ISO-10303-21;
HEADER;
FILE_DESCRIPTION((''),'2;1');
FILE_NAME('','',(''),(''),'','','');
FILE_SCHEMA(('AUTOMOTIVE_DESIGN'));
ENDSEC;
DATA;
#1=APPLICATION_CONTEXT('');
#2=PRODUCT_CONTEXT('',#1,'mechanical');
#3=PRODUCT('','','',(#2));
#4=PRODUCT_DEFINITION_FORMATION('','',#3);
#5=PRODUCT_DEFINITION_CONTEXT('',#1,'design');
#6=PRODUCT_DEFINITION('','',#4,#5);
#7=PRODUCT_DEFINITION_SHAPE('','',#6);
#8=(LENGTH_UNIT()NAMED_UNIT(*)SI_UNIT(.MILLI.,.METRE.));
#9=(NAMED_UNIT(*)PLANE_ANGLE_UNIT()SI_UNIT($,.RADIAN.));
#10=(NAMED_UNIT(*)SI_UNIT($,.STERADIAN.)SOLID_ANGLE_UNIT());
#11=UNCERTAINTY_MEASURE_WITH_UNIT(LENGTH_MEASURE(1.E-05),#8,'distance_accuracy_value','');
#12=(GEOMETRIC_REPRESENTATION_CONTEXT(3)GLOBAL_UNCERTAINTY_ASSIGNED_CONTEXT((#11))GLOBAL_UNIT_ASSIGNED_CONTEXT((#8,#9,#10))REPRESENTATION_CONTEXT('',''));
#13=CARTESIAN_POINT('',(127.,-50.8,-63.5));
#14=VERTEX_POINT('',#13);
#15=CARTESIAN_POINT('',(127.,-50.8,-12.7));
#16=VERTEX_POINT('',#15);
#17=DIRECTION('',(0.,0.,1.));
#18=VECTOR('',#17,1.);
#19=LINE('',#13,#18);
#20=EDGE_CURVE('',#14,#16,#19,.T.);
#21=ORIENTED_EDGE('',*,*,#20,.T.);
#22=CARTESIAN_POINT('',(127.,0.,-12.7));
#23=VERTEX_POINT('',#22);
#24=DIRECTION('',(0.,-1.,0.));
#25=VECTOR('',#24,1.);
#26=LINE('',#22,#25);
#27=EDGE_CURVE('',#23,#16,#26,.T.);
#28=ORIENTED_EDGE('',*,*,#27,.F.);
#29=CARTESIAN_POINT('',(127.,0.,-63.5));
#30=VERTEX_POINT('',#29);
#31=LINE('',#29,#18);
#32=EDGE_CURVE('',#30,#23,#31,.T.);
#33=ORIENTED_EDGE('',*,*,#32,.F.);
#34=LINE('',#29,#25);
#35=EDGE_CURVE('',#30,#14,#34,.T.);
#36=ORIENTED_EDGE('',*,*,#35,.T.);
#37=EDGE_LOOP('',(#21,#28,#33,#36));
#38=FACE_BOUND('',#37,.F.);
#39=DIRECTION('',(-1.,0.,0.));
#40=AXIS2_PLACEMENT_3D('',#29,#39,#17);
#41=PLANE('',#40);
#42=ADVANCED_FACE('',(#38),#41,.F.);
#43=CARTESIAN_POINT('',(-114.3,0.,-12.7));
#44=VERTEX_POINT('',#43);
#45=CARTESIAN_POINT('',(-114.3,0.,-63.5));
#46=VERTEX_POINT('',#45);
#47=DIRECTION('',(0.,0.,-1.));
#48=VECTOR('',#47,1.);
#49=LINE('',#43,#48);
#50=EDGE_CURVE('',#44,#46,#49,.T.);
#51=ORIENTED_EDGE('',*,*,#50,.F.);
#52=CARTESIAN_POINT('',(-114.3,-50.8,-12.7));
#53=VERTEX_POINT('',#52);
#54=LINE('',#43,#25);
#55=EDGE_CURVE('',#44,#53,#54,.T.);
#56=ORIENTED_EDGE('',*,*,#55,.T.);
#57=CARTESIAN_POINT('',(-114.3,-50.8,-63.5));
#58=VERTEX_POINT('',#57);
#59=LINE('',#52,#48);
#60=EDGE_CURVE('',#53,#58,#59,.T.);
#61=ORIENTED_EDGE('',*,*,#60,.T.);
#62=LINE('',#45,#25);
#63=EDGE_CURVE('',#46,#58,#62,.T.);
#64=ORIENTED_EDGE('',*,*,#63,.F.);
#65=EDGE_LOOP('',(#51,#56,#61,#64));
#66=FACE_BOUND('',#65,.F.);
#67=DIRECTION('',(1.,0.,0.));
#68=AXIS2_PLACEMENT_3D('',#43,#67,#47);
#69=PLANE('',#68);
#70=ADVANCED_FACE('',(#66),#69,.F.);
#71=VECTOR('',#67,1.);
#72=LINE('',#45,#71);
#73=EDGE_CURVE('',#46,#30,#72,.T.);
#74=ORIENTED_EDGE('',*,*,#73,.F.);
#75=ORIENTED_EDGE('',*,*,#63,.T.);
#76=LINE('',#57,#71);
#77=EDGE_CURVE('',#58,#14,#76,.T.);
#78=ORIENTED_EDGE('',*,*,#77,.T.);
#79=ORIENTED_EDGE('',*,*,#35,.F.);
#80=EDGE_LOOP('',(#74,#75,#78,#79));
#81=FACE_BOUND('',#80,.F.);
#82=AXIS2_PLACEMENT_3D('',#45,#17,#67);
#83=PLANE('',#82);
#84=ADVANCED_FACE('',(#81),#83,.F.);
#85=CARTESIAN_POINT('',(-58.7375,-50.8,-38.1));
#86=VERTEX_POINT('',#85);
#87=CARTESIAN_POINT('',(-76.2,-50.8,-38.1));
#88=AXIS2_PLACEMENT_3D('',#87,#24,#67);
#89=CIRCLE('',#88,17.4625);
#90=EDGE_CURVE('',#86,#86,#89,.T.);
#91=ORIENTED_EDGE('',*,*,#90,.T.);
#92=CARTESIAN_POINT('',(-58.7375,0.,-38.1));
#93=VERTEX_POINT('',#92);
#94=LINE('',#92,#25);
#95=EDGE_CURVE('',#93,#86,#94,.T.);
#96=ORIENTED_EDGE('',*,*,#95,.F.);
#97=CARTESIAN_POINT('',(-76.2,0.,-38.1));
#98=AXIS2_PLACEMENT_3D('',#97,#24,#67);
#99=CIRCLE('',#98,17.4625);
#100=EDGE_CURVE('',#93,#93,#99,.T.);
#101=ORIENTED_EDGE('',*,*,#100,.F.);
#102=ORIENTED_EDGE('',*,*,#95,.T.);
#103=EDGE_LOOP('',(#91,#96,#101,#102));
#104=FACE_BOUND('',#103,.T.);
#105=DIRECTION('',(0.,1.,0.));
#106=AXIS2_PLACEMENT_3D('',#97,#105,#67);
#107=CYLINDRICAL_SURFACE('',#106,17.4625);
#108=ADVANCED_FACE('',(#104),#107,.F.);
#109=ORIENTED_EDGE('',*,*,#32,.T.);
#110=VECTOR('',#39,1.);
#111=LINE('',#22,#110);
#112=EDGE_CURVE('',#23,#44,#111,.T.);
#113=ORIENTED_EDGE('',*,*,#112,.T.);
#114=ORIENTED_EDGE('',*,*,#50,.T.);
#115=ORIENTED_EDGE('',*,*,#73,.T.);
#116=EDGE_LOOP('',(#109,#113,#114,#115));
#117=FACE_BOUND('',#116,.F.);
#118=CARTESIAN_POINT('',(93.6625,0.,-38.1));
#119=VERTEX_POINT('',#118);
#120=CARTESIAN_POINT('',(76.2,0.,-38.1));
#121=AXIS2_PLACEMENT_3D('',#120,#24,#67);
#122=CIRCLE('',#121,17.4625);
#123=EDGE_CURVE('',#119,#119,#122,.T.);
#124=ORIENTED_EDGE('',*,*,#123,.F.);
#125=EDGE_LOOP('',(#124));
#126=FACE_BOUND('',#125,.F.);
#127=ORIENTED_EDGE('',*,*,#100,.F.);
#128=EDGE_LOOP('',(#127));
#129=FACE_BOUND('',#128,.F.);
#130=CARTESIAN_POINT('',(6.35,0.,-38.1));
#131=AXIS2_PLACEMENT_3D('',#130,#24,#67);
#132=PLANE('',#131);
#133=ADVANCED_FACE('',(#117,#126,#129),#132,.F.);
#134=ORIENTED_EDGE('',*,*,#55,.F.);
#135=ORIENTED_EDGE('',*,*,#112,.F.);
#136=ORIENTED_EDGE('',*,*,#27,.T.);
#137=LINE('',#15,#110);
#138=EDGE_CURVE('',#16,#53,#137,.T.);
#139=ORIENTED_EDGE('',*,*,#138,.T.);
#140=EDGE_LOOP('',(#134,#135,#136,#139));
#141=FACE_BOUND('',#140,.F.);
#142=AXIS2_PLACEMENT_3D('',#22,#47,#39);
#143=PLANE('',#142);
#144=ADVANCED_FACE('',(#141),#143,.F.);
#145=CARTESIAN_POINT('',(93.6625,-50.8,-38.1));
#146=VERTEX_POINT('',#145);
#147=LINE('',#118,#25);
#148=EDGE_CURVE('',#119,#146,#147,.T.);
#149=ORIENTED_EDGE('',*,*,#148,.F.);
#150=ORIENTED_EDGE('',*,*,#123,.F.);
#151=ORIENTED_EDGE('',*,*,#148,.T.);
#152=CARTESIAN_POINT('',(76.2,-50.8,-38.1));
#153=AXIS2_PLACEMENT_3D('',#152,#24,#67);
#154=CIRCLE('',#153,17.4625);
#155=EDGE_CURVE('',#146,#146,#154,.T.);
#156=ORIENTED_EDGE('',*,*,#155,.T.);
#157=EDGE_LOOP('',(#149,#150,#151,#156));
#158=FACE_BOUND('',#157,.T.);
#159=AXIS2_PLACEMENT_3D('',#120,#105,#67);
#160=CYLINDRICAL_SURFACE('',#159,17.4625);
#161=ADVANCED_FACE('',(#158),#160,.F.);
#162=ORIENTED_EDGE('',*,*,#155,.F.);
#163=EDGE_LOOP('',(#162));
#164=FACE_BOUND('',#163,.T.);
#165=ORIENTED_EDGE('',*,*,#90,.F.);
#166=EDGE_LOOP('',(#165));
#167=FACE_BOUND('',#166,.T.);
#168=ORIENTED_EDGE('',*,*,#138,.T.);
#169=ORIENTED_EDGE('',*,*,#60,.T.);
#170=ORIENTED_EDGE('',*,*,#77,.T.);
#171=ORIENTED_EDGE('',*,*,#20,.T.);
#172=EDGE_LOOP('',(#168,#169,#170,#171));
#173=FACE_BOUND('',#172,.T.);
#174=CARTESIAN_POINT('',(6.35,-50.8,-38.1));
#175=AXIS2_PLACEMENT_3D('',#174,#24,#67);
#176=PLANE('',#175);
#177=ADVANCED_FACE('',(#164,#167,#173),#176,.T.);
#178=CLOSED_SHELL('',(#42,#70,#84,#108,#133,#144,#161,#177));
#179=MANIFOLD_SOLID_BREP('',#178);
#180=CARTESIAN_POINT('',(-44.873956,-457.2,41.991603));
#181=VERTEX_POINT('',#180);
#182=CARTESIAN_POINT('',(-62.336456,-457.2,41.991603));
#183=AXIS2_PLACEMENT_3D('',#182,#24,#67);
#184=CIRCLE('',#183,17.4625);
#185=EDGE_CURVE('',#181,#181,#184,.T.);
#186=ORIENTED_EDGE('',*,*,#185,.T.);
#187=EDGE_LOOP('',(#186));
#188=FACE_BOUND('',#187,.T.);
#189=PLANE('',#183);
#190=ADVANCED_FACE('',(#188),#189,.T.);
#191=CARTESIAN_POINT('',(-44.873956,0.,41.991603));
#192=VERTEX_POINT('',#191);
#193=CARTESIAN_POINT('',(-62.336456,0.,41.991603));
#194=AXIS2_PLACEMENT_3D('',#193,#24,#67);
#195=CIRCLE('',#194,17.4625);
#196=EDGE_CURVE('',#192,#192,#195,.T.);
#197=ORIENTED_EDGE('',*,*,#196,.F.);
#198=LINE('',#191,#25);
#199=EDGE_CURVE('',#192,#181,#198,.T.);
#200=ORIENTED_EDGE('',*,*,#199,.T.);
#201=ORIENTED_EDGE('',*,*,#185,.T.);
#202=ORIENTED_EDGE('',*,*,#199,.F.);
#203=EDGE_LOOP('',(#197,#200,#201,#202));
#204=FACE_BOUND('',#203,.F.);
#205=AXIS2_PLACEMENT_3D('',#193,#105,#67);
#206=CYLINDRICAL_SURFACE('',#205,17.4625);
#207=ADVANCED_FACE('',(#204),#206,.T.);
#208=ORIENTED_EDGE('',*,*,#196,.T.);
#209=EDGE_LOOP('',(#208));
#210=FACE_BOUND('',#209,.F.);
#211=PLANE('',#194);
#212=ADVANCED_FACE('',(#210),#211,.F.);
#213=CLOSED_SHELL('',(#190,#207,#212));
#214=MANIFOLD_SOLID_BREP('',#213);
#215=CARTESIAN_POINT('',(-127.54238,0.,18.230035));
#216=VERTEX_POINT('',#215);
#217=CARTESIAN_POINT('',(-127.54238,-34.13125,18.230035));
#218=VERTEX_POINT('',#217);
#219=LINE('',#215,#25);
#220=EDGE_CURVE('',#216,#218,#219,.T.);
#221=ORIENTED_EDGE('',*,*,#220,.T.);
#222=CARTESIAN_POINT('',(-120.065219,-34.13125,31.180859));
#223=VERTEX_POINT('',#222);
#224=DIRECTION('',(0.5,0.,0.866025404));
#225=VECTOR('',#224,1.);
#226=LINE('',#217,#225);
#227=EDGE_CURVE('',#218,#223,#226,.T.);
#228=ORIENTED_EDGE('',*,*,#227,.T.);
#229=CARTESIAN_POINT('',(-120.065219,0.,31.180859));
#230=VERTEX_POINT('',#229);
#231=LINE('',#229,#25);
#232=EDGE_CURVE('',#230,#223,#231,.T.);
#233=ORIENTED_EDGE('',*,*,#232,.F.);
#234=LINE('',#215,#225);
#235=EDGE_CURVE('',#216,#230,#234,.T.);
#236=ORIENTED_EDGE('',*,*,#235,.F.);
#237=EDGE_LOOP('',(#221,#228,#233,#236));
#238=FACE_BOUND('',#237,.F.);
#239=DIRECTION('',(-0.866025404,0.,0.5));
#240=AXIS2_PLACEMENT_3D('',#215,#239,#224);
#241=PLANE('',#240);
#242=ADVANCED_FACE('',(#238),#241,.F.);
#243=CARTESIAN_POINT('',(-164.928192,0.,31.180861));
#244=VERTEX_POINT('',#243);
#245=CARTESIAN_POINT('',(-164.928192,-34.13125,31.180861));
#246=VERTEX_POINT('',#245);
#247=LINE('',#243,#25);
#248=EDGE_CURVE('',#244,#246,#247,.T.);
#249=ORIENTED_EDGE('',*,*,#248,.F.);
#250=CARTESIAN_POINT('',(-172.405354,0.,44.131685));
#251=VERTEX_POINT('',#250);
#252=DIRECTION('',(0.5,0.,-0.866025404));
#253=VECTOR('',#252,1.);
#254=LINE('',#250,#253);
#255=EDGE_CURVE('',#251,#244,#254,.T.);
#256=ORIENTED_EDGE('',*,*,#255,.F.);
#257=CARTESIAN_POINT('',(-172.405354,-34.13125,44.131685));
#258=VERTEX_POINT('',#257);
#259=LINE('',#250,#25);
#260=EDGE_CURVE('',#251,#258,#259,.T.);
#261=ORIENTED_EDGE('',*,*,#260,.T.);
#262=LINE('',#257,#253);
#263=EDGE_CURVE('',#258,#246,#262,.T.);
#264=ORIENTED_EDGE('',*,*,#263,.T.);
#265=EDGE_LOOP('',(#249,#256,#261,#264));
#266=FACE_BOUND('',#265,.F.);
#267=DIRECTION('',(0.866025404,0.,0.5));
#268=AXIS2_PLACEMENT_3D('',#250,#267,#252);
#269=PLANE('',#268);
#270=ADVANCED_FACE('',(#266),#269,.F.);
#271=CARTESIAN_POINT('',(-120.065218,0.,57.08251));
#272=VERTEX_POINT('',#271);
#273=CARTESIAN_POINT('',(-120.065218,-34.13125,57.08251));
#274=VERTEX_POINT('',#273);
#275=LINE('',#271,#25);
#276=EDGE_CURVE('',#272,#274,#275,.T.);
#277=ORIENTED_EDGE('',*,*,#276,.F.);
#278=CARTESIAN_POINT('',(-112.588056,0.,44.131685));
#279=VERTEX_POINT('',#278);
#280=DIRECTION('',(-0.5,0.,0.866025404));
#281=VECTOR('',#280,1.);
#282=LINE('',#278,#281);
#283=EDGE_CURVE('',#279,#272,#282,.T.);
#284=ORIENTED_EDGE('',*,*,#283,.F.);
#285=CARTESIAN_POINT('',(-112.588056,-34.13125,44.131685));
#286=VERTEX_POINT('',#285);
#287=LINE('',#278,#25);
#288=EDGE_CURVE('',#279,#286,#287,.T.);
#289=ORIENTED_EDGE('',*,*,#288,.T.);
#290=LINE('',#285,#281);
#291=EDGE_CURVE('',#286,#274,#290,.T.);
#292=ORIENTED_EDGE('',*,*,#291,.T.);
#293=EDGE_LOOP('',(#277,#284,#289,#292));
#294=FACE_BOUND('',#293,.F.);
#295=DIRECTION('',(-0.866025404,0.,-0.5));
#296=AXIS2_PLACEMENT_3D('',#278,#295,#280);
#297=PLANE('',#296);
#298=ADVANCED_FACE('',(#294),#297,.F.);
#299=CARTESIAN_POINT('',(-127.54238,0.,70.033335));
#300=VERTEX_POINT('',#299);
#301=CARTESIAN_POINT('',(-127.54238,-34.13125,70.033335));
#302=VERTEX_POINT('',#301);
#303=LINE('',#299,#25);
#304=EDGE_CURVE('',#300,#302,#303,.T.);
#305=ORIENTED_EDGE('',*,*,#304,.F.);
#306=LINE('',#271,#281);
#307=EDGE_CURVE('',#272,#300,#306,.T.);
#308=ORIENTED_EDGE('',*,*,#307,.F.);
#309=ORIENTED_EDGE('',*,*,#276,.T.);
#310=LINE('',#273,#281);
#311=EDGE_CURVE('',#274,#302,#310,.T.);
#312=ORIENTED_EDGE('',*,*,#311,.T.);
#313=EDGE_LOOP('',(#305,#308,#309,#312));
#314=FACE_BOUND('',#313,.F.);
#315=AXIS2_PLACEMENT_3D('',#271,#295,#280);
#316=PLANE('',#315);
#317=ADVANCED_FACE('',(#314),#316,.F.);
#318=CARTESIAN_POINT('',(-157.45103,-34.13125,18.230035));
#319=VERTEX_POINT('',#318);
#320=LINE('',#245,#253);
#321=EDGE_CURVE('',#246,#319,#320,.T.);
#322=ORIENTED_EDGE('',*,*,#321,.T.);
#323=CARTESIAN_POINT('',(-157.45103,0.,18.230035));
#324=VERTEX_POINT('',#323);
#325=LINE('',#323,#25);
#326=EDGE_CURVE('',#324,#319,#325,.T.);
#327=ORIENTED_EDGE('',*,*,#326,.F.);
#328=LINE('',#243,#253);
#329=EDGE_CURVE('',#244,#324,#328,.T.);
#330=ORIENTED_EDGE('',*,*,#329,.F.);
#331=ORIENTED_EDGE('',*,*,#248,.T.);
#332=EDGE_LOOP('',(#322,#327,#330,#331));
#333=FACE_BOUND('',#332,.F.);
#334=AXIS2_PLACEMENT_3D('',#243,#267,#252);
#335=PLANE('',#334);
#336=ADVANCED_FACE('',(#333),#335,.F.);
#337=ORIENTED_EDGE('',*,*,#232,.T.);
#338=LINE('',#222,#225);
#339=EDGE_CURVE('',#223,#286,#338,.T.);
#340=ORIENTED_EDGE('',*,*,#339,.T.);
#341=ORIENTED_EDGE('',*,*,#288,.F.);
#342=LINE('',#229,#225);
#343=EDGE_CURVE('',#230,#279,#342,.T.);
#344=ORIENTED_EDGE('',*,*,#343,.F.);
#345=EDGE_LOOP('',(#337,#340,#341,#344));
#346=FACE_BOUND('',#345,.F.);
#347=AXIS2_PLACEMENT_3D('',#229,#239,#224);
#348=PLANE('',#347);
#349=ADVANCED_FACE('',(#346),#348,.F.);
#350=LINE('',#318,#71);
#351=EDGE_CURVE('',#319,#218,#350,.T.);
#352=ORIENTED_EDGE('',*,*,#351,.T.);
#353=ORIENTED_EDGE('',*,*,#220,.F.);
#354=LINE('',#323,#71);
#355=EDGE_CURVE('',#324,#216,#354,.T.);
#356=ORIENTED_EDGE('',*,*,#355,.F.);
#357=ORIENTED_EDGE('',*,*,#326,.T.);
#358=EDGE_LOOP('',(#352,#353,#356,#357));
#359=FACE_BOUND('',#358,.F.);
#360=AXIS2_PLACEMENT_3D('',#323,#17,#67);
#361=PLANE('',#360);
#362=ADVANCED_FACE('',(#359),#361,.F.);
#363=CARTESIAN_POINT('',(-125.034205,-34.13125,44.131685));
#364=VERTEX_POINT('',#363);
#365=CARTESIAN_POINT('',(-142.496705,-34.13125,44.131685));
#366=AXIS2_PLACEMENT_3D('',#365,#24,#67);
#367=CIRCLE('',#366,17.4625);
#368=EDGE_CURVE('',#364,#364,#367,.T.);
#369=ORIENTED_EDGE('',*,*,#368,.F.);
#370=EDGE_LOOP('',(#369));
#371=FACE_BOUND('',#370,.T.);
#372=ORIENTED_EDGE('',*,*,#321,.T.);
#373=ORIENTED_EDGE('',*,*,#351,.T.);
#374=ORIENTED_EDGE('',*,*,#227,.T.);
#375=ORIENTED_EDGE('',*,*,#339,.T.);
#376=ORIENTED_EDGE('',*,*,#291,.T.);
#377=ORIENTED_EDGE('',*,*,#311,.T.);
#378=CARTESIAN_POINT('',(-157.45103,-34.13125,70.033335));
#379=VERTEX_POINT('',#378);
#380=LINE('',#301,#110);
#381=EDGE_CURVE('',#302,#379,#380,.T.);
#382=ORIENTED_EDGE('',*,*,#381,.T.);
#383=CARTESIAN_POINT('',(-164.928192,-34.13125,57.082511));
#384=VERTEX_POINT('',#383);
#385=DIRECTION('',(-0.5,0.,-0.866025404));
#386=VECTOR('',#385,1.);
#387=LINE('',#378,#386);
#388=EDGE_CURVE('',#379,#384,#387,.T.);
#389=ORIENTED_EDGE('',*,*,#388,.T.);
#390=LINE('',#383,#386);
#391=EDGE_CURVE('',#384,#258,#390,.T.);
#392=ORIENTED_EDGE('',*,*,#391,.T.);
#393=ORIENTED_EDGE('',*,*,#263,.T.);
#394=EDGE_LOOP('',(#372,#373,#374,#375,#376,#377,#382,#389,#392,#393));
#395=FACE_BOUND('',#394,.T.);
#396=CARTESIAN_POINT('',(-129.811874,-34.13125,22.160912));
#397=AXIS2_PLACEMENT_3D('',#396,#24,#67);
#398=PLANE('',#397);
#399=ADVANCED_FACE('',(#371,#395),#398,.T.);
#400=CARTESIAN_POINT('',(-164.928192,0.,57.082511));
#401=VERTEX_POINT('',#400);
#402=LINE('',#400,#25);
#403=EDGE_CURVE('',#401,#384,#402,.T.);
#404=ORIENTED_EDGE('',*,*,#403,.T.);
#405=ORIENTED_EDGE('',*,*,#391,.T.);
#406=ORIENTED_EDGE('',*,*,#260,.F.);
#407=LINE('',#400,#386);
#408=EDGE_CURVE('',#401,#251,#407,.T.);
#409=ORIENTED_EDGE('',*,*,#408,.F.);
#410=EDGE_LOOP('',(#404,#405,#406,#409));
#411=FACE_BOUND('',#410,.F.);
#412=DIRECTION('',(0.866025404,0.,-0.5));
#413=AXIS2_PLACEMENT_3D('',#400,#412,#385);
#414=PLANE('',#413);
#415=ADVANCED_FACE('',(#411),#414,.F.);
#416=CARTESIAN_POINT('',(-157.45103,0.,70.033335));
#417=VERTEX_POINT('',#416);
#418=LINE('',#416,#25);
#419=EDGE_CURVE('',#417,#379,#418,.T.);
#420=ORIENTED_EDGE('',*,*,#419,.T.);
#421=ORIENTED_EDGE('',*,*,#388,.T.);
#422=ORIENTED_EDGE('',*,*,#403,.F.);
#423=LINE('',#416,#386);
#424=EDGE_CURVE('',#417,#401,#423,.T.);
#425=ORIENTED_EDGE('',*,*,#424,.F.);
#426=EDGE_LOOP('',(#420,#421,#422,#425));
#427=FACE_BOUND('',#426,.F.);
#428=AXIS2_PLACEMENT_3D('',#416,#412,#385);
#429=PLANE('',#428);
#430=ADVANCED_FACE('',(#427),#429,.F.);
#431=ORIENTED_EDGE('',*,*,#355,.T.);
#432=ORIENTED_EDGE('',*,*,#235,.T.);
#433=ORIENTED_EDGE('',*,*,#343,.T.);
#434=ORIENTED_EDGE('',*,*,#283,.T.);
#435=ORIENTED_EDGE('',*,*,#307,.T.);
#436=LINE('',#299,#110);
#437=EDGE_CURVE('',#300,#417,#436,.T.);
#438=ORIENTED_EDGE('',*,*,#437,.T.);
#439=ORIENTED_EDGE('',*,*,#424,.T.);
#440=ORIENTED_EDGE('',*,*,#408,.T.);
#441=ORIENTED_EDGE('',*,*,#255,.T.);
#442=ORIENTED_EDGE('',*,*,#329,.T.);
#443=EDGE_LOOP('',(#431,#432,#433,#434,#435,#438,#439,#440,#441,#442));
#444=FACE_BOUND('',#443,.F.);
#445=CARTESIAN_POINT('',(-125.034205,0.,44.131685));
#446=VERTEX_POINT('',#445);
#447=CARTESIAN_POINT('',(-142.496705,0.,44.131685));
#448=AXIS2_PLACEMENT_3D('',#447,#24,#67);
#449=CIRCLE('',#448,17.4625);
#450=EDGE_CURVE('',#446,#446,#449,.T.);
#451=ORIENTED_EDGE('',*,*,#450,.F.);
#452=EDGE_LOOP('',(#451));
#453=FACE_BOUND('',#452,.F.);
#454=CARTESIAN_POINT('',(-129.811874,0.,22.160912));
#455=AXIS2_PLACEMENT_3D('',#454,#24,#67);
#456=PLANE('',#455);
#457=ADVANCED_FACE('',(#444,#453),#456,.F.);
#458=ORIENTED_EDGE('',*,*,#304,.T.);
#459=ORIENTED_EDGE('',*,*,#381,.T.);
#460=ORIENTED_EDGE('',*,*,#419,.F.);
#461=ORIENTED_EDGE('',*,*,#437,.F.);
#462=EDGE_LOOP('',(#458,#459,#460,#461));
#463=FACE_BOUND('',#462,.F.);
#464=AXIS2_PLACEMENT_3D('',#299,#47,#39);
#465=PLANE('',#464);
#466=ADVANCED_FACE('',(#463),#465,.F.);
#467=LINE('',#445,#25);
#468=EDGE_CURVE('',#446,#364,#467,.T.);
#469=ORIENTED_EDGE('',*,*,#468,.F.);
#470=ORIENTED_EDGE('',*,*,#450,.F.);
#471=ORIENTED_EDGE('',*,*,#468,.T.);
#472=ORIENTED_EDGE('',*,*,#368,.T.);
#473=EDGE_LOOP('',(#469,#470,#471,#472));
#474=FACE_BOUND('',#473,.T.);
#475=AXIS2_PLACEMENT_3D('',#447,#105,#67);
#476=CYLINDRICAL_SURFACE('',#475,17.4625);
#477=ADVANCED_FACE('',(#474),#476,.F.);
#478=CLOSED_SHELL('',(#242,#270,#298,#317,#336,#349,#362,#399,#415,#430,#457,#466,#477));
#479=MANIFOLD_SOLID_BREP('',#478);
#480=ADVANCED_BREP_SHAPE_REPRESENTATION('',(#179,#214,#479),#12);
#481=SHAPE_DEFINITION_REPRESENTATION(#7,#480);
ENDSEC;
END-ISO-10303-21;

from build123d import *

# Parameters (mm, degrees)
F0_R     = 17.4625
F1_DEPTH = 50.8
F2_R     = 17.4625
F3_DEPTH = 34.13125
F4_R     = 17.4625
F5_DEPTH = 457.2


with BuildPart() as f1:
    # F0 (on Front) → F1 (new body)
    with BuildSketch(Plane.XZ):
        Polygon((127, -12.7), (-114.3, -12.7), (-114.3, -63.5), (12.7, -63.5), (127, -63.5), align=None)
        with Locations((-76.2, -38.1)):
            Circle(F0_R, mode=Mode.SUBTRACT)
        with Locations((76.2, -38.1)):
            Circle(F0_R, mode=Mode.SUBTRACT)
    extrude(amount=F1_DEPTH)


with BuildPart() as f3:
    # F2 (on Front) → F3 (new body)
    with BuildSketch(Plane.XZ):
        with BuildLine():
            Line((-127.5423804553, 18.2300350483), (-120.065218545, 31.1808593733))
            ThreePointArc((-120.065218545, 31.1808593733), (-129.5458803928, 21.7001979535), (-142.4967050552, 18.2300350483))
            Line((-142.4967050552, 18.2300350483), (-127.5423804553, 18.2300350483))
        make_face()
        with BuildLine():
            ThreePointArc((-120.0652182506, 57.0825102133), (-117.4776324014, 50.8355254599), (-116.5950550552, 44.1316850483))
            ThreePointArc((-116.5950550552, 44.1316850483), (-117.4776324776, 37.4278443523), (-120.065218545, 31.1808593733))
            Line((-120.065218545, 31.1808593733), (-112.5880558553, 44.1316850483))
            Line((-112.5880558553, 44.1316850483), (-120.0652182506, 57.0825102133))
        make_face()
        with BuildLine():
            ThreePointArc((-142.4967050552, 70.0333350483), (-129.5458801377, 66.5631719959), (-120.0652182506, 57.0825102133))
            Line((-120.0652182506, 57.0825102133), (-127.5423804553, 70.0333350483))
            Line((-127.5423804553, 70.0333350483), (-142.4967050552, 70.0333350483))
        make_face()
        with BuildLine():
            ThreePointArc((-164.9281916513, 57.0825105746), (-155.4475297921, 66.5631721002), (-142.4967050552, 70.0333350483))
            Line((-142.4967050552, 70.0333350483), (-157.4510296552, 70.0333350483))
            Line((-157.4510296552, 70.0333350483), (-164.9281916513, 57.0825105746))
        make_face()
        with BuildLine():
            ThreePointArc((-164.9281923793, 31.180860783), (-168.3983550552, 44.1316857764), (-164.9281916513, 57.0825105746))
            Line((-164.9281916513, 57.0825105746), (-172.4053542551, 44.1316850483))
            Line((-172.4053542551, 44.1316850483), (-164.9281923793, 31.180860783))
        make_face()
        with BuildLine():
            Line((-157.4510296552, 18.2300350483), (-142.4967050552, 18.2300350483))
            ThreePointArc((-142.4967050552, 18.2300350483), (-155.4475304226, 21.7001983605), (-164.9281923793, 31.180860783))
            Line((-164.9281923793, 31.180860783), (-157.4510296552, 18.2300350483))
        make_face()
        with BuildLine():
            ThreePointArc((-120.065218545, 31.1808593733), (-117.4776324776, 37.4278443523), (-116.5950550552, 44.1316850483))
            ThreePointArc((-116.5950550552, 44.1316850483), (-117.4776324014, 50.8355254599), (-120.0652182506, 57.0825102133))
            ThreePointArc((-120.0652182506, 57.0825102133), (-129.5458801377, 66.5631719959), (-142.4967050552, 70.0333350483))
            ThreePointArc((-142.4967050552, 70.0333350483), (-155.4475297921, 66.5631721002), (-164.9281916513, 57.0825105746))
            ThreePointArc((-164.9281916513, 57.0825105746), (-168.3983550552, 44.1316857764), (-164.9281923793, 31.180860783))
            ThreePointArc((-164.9281923793, 31.180860783), (-155.4475304226, 21.7001983605), (-142.4967050552, 18.2300350483))
            ThreePointArc((-142.4967050552, 18.2300350483), (-129.5458803928, 21.7001979535), (-120.065218545, 31.1808593733))
        make_face()
        with Locations((-142.4967050552, 44.1316850483)):
            Circle(F2_R, mode=Mode.SUBTRACT)
    extrude(amount=F3_DEPTH)


with BuildPart() as f5:
    # F4 (on Front) → F5 (new body)
    with BuildSketch(Plane.XZ):
        with Locations((-62.3364560306, 41.9916026294)):
            Circle(F4_R)
    extrude(amount=F5_DEPTH)


solid = Compound([f1.part, f3.part, f5.part])
